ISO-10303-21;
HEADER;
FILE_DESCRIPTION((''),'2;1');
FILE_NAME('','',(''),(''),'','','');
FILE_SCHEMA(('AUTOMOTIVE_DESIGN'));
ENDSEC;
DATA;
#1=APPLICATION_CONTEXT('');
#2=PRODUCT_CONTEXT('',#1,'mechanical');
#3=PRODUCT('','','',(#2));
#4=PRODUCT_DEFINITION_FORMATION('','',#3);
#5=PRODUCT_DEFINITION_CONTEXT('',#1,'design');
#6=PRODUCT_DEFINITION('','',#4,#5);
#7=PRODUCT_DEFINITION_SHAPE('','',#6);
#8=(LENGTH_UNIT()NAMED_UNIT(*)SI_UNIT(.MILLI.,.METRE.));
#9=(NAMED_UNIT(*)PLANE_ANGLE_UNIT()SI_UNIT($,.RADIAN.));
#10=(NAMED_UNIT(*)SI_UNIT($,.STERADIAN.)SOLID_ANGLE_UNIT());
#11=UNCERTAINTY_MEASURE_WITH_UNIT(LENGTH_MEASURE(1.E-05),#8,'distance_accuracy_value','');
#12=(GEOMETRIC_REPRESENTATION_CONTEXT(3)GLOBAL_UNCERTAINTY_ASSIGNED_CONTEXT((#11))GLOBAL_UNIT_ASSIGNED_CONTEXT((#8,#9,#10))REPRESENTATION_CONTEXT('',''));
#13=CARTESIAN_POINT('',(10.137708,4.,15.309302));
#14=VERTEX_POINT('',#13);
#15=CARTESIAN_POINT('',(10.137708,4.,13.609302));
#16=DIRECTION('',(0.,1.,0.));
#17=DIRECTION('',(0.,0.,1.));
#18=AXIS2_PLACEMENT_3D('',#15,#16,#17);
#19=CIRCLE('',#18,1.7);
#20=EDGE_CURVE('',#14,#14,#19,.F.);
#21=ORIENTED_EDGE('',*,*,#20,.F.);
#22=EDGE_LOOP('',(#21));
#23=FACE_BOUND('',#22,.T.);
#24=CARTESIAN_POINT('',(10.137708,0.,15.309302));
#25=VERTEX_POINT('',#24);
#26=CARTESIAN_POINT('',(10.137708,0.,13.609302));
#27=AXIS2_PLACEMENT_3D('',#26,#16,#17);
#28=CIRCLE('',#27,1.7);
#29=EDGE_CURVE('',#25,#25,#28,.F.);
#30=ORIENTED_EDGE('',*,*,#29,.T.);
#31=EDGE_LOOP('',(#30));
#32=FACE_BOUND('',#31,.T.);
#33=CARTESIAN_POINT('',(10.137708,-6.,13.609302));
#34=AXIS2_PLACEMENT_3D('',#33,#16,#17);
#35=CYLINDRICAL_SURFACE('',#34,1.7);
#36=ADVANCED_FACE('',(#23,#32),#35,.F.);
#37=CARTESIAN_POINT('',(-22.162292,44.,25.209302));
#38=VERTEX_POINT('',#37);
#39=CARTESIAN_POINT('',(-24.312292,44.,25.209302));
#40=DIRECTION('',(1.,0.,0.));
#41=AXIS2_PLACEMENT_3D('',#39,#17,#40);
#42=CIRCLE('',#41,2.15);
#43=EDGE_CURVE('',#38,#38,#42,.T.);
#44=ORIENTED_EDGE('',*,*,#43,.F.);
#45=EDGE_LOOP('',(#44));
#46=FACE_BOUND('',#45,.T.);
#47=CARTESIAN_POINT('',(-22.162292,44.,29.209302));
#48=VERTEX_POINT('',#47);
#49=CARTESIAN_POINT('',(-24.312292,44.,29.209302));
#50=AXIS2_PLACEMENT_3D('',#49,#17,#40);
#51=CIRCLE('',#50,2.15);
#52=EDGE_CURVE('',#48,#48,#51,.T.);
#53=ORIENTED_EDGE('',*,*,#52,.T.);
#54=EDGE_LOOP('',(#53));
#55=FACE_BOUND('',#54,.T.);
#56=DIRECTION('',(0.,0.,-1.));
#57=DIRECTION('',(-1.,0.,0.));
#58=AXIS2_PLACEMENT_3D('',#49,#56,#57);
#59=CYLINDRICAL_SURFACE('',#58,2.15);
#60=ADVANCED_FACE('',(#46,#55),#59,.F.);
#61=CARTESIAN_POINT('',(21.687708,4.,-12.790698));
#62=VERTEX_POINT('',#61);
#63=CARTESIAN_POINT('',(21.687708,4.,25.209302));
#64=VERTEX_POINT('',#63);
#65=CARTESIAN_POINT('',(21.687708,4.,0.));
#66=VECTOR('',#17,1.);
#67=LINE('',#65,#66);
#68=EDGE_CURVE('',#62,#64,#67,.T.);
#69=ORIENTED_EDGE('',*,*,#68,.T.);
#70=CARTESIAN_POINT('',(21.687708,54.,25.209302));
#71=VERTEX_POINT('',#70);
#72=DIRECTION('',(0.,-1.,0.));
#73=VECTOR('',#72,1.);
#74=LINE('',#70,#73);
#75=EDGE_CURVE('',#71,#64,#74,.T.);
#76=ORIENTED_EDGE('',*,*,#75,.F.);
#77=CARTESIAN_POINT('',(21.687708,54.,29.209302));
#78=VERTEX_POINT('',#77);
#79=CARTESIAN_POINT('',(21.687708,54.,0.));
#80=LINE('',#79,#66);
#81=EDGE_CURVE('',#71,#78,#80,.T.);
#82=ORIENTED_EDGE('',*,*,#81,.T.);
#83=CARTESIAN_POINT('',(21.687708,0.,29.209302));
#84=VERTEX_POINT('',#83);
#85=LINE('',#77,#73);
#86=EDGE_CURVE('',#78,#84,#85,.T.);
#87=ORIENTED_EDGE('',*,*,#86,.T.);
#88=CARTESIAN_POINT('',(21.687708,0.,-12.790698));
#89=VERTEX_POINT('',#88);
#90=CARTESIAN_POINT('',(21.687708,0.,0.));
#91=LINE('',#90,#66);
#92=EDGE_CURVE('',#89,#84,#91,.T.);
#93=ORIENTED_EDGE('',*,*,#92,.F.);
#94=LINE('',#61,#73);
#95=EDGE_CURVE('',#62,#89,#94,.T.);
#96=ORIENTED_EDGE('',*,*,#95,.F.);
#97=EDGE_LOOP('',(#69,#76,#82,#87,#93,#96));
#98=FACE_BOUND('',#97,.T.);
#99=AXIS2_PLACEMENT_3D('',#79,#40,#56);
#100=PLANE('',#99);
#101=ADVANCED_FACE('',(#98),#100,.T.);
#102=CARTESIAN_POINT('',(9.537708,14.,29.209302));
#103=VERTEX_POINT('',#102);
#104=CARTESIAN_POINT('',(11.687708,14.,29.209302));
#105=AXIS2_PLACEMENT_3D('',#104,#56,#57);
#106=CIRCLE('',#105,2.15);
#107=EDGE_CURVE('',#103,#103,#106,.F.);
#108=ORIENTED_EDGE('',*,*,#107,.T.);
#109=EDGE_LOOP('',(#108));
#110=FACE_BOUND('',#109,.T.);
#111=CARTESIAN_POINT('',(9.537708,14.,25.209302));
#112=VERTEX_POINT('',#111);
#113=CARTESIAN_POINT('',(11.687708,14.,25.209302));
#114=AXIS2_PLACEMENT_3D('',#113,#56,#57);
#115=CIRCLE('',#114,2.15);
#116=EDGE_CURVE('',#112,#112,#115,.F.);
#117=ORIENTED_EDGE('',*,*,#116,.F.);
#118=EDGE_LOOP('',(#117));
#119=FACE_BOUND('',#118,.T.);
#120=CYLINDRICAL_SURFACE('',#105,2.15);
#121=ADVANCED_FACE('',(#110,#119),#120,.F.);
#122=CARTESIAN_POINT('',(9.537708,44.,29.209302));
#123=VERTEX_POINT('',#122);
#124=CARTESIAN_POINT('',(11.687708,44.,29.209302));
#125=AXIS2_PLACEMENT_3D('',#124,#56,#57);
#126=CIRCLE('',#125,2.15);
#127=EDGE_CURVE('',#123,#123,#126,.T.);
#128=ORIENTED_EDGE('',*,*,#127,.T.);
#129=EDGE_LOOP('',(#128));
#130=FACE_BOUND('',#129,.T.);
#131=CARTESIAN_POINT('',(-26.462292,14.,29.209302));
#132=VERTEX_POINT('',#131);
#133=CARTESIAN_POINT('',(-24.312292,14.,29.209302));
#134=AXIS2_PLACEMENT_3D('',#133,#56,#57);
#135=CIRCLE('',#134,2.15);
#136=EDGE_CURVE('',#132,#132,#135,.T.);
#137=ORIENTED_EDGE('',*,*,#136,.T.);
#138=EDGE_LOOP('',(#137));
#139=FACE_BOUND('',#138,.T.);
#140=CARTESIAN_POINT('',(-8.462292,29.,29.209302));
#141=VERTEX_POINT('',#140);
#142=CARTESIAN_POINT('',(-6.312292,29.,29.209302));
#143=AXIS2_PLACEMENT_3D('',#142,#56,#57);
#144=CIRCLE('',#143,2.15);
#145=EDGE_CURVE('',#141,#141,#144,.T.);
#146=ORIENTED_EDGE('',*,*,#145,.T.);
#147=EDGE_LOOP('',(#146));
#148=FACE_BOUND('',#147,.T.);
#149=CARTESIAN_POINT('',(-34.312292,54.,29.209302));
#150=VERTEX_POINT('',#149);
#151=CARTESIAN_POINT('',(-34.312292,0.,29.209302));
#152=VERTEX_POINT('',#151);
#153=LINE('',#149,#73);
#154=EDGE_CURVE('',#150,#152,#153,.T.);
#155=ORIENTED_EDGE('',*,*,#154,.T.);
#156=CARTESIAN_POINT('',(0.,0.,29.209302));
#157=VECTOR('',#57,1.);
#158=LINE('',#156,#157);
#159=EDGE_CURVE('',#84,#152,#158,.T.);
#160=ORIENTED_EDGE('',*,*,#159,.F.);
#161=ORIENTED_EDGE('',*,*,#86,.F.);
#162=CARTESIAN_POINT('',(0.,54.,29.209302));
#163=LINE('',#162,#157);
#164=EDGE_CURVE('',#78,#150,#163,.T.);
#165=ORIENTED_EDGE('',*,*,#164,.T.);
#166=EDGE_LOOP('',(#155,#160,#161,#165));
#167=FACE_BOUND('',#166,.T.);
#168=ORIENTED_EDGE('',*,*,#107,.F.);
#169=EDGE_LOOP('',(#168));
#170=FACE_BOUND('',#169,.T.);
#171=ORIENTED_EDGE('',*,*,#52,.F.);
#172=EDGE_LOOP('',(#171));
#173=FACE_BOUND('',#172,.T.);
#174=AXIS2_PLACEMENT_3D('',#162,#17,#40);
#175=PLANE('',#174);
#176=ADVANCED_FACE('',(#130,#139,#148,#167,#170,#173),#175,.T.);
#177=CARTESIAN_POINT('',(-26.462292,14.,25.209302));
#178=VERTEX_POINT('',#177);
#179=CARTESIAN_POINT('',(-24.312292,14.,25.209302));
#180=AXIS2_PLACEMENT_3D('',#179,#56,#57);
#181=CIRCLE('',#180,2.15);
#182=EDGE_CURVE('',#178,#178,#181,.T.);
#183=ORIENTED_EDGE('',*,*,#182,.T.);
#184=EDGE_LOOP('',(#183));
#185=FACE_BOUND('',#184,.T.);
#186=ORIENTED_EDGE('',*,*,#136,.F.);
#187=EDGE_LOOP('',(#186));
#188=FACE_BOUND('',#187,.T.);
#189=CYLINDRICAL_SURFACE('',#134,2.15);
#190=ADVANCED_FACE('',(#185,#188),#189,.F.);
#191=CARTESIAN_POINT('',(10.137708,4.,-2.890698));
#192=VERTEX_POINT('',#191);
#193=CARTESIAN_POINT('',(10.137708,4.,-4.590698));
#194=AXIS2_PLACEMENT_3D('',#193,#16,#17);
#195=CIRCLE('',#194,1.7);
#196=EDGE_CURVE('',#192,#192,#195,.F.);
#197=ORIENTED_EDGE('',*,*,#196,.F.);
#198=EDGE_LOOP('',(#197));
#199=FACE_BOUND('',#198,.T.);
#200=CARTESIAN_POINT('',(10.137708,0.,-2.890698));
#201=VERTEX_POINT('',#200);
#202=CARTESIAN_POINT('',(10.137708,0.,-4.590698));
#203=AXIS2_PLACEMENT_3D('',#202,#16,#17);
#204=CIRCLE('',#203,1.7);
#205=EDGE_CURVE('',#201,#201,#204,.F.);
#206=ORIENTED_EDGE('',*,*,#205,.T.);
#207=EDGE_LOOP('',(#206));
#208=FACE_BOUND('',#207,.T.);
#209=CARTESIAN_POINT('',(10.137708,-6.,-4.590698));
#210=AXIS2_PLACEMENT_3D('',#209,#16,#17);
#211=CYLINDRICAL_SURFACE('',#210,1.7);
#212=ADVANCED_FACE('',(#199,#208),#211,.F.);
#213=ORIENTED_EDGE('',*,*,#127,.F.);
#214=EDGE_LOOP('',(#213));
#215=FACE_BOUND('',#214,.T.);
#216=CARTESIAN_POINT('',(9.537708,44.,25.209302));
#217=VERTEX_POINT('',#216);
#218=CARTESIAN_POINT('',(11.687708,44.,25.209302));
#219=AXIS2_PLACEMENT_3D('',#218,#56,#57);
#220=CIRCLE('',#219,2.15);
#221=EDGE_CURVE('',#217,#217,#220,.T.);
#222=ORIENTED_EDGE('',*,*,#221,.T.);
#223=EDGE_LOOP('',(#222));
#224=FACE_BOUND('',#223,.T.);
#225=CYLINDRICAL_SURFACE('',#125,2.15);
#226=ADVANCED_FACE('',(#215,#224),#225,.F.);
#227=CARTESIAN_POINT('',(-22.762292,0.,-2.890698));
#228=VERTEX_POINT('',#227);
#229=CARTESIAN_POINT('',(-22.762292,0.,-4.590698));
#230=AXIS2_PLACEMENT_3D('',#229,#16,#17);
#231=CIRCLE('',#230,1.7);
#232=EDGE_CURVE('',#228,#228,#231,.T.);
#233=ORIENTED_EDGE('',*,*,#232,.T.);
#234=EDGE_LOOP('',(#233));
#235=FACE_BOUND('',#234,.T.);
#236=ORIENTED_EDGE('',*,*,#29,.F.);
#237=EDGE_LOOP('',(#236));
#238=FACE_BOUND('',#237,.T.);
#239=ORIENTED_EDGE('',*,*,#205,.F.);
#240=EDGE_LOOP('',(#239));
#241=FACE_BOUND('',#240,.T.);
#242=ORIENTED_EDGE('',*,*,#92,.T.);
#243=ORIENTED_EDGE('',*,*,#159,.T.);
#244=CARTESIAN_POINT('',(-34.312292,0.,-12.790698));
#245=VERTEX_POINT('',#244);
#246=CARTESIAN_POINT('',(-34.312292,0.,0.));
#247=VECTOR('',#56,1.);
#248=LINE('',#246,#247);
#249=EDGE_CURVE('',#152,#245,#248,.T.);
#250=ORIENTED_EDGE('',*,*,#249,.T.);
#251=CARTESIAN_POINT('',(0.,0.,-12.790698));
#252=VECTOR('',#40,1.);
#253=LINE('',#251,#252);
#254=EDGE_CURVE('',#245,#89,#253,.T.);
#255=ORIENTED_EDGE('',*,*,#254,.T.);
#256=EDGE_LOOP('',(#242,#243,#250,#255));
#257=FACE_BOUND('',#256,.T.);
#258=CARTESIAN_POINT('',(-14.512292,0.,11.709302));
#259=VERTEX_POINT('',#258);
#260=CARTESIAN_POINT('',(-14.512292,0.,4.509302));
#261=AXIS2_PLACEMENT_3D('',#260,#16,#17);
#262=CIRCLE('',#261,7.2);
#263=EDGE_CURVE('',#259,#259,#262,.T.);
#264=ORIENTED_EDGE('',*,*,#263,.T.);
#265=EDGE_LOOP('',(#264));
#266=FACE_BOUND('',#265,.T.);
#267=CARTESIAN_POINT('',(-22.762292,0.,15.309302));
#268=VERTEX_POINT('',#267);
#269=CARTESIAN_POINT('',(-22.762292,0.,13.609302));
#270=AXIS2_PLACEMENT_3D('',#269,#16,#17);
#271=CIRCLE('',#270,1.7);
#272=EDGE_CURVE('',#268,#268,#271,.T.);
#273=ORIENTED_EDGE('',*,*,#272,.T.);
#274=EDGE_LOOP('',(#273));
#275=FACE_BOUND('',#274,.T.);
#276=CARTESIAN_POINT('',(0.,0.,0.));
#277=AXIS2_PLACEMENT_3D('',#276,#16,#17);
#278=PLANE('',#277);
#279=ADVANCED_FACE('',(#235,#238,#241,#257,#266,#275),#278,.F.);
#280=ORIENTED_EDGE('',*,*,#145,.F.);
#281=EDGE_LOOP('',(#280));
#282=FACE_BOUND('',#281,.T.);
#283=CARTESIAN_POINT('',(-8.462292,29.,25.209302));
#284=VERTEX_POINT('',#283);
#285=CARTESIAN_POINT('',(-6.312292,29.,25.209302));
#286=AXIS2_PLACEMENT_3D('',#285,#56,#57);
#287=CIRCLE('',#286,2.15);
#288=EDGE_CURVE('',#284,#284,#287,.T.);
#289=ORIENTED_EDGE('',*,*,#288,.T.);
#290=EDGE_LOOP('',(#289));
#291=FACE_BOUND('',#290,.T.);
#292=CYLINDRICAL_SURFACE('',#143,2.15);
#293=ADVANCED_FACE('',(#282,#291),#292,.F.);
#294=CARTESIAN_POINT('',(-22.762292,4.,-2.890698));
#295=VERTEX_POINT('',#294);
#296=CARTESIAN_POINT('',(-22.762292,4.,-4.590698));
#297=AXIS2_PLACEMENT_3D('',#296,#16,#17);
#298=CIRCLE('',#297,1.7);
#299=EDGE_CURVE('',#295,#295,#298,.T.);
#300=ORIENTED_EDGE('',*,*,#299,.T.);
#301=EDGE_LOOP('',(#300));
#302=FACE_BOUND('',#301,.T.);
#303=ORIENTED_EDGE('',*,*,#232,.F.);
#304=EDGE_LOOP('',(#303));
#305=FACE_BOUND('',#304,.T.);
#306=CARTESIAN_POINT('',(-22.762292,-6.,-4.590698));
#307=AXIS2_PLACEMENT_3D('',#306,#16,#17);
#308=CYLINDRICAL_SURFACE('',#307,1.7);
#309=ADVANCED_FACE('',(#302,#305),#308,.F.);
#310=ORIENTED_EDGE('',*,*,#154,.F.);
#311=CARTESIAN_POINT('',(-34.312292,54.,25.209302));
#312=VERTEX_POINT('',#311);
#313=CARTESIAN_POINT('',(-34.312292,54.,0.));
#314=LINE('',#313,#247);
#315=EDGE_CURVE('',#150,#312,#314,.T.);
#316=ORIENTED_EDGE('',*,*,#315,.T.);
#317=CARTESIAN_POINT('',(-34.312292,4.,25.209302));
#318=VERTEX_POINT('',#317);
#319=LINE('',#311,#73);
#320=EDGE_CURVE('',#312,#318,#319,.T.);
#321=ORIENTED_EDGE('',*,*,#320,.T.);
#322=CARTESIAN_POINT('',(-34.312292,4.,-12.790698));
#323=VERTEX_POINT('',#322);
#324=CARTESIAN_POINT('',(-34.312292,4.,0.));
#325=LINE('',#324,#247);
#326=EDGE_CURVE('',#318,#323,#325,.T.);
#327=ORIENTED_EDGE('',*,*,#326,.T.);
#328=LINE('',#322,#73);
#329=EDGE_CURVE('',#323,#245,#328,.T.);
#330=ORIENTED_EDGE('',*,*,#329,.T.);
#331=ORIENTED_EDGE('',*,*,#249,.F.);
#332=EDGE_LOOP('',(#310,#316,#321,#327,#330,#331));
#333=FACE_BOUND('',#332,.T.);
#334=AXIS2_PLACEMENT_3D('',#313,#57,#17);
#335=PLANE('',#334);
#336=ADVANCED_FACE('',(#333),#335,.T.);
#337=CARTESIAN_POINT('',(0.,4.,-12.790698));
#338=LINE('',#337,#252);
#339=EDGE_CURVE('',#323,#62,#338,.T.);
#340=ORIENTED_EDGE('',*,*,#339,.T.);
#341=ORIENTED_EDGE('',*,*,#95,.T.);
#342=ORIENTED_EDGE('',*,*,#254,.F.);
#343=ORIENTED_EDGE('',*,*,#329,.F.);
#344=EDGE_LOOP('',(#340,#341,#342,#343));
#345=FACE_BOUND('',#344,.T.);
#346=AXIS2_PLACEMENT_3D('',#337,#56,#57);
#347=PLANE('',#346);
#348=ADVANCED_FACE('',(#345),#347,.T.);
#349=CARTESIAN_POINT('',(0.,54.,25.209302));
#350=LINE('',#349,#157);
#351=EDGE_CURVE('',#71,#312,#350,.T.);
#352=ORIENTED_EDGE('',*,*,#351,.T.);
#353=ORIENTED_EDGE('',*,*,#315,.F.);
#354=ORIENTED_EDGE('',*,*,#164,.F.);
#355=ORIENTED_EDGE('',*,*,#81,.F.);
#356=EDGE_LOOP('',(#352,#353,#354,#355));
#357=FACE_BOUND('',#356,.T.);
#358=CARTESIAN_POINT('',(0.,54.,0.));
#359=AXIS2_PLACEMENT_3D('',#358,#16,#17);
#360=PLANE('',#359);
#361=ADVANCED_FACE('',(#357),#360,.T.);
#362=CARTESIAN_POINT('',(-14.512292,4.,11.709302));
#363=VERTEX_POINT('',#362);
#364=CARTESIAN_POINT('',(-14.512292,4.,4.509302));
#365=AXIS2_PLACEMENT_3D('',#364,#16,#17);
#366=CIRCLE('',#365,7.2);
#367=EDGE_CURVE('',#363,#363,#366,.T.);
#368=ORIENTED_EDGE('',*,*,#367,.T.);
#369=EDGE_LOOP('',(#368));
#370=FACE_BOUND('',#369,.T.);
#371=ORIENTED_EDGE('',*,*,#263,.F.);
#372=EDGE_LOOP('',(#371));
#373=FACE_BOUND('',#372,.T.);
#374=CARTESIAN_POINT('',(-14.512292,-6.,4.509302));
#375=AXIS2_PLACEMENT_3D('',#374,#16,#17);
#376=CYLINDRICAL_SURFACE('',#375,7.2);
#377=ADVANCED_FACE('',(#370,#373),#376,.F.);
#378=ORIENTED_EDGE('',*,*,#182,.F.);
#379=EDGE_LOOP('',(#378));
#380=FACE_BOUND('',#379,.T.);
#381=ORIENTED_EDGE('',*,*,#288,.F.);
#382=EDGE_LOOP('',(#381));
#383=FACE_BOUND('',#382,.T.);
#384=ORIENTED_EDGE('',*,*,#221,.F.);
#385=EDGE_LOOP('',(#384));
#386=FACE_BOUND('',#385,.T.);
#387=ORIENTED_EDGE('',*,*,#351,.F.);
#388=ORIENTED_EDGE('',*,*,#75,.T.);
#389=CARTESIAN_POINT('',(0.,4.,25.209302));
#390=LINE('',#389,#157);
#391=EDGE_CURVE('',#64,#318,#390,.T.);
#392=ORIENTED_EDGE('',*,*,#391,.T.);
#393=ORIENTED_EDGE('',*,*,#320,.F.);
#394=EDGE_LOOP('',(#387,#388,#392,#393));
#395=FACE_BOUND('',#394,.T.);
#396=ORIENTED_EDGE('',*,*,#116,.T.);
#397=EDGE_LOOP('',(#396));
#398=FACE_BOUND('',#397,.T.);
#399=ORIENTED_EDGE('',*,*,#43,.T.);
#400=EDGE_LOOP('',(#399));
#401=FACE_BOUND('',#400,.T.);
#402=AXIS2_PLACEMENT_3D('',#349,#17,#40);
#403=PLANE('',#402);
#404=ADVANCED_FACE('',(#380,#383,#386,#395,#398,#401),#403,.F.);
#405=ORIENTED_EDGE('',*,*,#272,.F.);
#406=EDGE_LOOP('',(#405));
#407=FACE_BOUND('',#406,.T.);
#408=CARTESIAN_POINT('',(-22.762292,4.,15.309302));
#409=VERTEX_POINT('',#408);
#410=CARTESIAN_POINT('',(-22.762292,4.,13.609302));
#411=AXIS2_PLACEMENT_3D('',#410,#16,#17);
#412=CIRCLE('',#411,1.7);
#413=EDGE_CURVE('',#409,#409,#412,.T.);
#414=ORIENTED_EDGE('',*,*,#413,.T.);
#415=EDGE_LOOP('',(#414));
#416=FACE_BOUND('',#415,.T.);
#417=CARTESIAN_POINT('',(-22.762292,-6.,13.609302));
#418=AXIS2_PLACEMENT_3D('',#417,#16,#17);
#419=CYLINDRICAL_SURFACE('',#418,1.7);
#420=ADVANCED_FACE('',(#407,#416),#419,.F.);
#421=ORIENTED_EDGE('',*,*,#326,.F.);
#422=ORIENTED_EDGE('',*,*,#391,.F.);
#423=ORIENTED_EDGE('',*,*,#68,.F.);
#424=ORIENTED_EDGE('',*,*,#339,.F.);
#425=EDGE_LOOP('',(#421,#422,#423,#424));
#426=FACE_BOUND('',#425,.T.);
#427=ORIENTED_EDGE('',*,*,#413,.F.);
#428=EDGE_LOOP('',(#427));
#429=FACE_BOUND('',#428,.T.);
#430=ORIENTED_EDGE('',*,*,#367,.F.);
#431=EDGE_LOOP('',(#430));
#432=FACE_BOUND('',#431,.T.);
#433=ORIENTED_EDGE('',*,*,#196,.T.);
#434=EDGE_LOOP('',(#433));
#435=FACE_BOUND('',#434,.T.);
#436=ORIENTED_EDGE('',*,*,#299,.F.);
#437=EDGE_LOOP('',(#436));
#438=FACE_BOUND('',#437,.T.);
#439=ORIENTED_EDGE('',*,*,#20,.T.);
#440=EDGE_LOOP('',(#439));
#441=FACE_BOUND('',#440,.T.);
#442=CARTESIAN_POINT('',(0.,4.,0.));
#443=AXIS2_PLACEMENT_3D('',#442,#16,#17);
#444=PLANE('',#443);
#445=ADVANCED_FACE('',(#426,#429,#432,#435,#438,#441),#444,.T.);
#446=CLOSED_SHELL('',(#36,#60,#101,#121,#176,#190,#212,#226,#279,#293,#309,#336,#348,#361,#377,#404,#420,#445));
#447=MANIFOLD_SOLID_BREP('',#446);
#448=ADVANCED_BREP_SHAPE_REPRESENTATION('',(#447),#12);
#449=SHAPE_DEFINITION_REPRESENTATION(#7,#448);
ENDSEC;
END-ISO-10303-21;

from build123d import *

# Parameters (mm, degrees)
SKETCH_2_W          = 56
SKETCH_2_H          = 4
EXTRUDE_1_DEPTH     = 54
SKETCH_2_3_W        = 56
SKETCH_2_3_H        = 38
EXTRUDE_2_DEPTH     = 4
SKETCH_3_R          = 2.15
CUT_EXTRUDE_1_DEPTH = 4
SKETCH_4_R          = 1.7
SKETCH_4_R_2        = 7.2
CUT_EXTRUDE_3_DEPTH = 10


with BuildPart() as part:
    # 草图2 → 凸台-拉伸1 (new body)
    with BuildSketch(Plane(origin=(0, 0, 0), x_dir=(1, 0, 0), z_dir=(0, 1, 0))):
        with Locations((-6.312292359, -27.209302326)):
            Rectangle(SKETCH_2_W, SKETCH_2_H)
    extrude(amount=EXTRUDE_1_DEPTH)

    # 草图2<3> → 凸台-拉伸2 (add)
    with BuildSketch(Plane(origin=(0, 0, 0), x_dir=(1, 0, 0), z_dir=(0, 1, 0))):
        with Locations((-6.312292359, -6.209302326)):
            Rectangle(SKETCH_2_3_W, SKETCH_2_3_H)
    extrude(amount=EXTRUDE_2_DEPTH)

    # 草图3 → 切除-拉伸1 (cut)
    with BuildSketch(Plane(origin=(0, 0, 25.209302326), x_dir=(-1, 0, 0), z_dir=(0, 0, -1))):
        with Locations((6.312292359, 29)):
            Circle(SKETCH_3_R)
        with Locations((-11.687707641, 44)):
            Circle(SKETCH_3_R)
        with Locations((24.312292359, 44)):
            Circle(SKETCH_3_R)
        with Locations((24.312292359, 14)):
            Circle(SKETCH_3_R)
        with Locations((-11.687707641, 14)):
            Circle(SKETCH_3_R)
    extrude(amount=-CUT_EXTRUDE_1_DEPTH, mode=Mode.SUBTRACT)

    # 草图4 → 切除-拉伸3 (cut)
    with BuildSketch(Plane(origin=(0, 4, 0), x_dir=(1, 0, 0), z_dir=(0, 1, 0))):
        with Locations((-22.762292359, -13.609302326)):
            Circle(SKETCH_4_R)
        with Locations((-22.762292359, 4.590697674)):
            Circle(SKETCH_4_R)
        with Locations((-14.512292359, -4.509302326)):
            Circle(SKETCH_4_R_2)
        with Locations((10.137707641, 4.590697674)):
            Circle(SKETCH_4_R)
        with Locations((10.137707641, -13.609302326)):
            Circle(SKETCH_4_R)
    extrude(amount=-CUT_EXTRUDE_3_DEPTH, mode=Mode.SUBTRACT)


solid = part.part
